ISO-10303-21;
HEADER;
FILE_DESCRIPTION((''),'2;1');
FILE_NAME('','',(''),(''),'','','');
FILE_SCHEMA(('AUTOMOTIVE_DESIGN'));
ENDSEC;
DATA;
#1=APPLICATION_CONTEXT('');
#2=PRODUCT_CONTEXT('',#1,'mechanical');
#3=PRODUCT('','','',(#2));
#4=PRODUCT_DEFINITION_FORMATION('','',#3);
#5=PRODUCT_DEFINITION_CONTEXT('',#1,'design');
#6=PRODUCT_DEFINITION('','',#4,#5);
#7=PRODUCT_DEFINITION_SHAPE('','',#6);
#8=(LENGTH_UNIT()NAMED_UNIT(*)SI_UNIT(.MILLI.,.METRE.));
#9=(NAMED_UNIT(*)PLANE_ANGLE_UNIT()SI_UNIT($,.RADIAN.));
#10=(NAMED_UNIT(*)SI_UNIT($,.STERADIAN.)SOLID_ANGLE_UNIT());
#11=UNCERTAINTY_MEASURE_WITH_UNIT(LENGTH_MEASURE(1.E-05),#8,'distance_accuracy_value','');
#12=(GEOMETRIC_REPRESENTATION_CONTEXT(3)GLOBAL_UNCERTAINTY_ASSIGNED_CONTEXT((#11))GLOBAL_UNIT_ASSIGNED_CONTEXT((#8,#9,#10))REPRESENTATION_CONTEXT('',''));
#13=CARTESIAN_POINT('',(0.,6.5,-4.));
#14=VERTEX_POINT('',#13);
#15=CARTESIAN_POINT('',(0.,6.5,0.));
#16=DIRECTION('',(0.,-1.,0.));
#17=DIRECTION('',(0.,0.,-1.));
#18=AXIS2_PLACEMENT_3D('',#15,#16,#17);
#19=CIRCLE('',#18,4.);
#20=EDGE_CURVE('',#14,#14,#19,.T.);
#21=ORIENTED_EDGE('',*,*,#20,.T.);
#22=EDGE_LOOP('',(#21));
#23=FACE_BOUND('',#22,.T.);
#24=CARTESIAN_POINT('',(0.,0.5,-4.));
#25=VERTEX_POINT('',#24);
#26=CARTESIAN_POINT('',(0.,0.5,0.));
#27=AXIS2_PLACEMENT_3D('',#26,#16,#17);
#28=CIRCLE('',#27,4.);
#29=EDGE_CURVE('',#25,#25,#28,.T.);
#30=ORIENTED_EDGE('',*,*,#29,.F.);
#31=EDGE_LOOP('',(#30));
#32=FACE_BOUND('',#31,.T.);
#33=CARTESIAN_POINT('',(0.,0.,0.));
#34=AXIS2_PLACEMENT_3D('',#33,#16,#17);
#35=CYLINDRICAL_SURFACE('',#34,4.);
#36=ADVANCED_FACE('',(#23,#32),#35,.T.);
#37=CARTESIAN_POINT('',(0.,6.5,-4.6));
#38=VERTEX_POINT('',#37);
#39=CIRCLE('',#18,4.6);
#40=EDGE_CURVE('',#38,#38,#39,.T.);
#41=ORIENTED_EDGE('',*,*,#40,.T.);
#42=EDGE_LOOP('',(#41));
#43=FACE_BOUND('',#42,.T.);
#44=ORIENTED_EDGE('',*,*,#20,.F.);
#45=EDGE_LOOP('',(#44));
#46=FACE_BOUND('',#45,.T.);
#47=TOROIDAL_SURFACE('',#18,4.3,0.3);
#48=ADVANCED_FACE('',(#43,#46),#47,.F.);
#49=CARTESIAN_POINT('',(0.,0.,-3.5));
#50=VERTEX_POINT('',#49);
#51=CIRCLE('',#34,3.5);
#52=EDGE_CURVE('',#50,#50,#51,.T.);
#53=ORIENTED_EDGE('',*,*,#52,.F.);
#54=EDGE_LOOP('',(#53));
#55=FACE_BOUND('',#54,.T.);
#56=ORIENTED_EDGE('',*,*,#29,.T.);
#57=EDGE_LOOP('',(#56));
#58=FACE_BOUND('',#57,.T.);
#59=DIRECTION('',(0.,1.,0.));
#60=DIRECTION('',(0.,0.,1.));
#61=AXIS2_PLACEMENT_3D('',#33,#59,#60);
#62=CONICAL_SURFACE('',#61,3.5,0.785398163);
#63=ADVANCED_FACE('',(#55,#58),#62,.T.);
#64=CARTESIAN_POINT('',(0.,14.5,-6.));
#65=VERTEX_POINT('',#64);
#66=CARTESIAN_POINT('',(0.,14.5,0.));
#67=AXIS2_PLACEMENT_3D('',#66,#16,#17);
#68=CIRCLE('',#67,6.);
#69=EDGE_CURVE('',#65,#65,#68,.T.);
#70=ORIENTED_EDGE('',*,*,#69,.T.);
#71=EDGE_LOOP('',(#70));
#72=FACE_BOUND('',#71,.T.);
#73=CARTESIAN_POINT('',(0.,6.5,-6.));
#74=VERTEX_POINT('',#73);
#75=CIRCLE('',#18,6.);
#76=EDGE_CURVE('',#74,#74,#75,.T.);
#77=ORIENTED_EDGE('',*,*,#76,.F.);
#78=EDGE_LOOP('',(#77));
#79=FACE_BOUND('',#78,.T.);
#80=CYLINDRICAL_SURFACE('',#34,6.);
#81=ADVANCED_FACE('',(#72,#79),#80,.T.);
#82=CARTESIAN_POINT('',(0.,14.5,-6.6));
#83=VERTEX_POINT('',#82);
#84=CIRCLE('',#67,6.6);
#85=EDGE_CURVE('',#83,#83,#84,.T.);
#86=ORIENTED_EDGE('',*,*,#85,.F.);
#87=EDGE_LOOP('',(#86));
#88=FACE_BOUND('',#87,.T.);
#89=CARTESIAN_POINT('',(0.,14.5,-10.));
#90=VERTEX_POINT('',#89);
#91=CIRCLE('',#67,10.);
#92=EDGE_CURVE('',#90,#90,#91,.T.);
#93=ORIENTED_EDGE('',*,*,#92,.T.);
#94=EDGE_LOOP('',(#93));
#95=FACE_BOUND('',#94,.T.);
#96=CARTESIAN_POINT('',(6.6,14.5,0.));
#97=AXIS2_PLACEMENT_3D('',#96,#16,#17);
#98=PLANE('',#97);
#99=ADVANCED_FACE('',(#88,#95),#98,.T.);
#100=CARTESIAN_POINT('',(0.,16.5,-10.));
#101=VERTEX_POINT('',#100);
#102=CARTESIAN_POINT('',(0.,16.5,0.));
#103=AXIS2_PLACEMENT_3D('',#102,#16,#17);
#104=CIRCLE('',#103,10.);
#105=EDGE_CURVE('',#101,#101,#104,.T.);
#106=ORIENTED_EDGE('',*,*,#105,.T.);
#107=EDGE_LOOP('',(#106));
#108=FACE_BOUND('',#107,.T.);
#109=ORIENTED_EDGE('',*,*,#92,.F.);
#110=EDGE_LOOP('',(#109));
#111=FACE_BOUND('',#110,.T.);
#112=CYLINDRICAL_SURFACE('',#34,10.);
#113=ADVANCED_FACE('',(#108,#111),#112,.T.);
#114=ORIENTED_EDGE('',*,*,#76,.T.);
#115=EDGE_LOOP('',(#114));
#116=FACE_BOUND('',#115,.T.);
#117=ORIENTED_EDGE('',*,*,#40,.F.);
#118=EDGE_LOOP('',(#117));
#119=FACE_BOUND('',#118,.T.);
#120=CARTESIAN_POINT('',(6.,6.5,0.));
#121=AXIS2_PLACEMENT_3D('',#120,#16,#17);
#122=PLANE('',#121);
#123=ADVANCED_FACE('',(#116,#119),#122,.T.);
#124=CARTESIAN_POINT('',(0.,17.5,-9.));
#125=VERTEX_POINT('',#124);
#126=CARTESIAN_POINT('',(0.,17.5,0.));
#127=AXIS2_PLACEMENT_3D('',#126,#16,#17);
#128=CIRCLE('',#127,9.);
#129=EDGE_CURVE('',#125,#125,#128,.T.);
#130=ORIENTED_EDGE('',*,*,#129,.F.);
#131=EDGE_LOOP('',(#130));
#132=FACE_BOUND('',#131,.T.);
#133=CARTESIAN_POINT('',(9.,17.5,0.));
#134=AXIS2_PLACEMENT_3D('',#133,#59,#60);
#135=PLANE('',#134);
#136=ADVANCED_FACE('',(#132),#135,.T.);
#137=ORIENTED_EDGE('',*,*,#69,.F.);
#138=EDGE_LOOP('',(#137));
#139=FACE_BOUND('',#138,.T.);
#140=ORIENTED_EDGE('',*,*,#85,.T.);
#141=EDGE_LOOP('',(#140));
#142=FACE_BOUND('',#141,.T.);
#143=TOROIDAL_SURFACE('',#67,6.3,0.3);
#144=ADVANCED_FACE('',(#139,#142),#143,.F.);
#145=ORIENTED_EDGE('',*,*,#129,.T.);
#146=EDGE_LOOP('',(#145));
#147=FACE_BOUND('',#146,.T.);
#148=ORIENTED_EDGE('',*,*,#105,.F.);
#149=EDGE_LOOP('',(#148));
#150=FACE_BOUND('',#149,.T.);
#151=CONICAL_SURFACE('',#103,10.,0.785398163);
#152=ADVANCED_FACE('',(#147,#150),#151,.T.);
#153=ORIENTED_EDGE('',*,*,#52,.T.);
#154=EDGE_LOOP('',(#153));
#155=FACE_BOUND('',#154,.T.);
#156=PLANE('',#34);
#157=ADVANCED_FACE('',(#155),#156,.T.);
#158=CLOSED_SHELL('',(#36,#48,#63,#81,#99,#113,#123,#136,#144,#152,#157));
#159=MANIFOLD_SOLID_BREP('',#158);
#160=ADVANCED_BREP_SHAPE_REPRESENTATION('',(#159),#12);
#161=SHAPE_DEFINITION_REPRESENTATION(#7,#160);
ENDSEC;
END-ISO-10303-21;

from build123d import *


with BuildPart() as part:
    # Esquisse1 → Base-Révolution (revolve)
    with BuildSketch(Plane.XY, mode=Mode.PRIVATE) as base_r_volution_sk:
        with BuildLine():
            Line((0, 0), (3.5, 0))
            Line((3.5, 0), (4, 0.5))
            Line((4, 0.5), (4, 6.5))
            ThreePointArc((4, 6.5), (4.3, 6.8), (4.6, 6.5))
            Line((4.6, 6.5), (6, 6.5))
            Line((6, 6.5), (6, 14.5))
            ThreePointArc((6, 14.5), (6.3, 14.8), (6.6, 14.5))
            Line((6.6, 14.5), (10, 14.5))
            Line((10, 14.5), (10, 16.5))
            Line((10, 16.5), (9, 17.5))
            Line((9, 17.5), (0, 17.5))
            Line((0, 17.5), (0, 0))
        make_face()
    revolve(base_r_volution_sk.sketch.rotate(Axis((0, 0, 0), (0, 1, 0)), 90), axis=Axis((0, 0, 0), (0, 1, 0)))


solid = part.part
